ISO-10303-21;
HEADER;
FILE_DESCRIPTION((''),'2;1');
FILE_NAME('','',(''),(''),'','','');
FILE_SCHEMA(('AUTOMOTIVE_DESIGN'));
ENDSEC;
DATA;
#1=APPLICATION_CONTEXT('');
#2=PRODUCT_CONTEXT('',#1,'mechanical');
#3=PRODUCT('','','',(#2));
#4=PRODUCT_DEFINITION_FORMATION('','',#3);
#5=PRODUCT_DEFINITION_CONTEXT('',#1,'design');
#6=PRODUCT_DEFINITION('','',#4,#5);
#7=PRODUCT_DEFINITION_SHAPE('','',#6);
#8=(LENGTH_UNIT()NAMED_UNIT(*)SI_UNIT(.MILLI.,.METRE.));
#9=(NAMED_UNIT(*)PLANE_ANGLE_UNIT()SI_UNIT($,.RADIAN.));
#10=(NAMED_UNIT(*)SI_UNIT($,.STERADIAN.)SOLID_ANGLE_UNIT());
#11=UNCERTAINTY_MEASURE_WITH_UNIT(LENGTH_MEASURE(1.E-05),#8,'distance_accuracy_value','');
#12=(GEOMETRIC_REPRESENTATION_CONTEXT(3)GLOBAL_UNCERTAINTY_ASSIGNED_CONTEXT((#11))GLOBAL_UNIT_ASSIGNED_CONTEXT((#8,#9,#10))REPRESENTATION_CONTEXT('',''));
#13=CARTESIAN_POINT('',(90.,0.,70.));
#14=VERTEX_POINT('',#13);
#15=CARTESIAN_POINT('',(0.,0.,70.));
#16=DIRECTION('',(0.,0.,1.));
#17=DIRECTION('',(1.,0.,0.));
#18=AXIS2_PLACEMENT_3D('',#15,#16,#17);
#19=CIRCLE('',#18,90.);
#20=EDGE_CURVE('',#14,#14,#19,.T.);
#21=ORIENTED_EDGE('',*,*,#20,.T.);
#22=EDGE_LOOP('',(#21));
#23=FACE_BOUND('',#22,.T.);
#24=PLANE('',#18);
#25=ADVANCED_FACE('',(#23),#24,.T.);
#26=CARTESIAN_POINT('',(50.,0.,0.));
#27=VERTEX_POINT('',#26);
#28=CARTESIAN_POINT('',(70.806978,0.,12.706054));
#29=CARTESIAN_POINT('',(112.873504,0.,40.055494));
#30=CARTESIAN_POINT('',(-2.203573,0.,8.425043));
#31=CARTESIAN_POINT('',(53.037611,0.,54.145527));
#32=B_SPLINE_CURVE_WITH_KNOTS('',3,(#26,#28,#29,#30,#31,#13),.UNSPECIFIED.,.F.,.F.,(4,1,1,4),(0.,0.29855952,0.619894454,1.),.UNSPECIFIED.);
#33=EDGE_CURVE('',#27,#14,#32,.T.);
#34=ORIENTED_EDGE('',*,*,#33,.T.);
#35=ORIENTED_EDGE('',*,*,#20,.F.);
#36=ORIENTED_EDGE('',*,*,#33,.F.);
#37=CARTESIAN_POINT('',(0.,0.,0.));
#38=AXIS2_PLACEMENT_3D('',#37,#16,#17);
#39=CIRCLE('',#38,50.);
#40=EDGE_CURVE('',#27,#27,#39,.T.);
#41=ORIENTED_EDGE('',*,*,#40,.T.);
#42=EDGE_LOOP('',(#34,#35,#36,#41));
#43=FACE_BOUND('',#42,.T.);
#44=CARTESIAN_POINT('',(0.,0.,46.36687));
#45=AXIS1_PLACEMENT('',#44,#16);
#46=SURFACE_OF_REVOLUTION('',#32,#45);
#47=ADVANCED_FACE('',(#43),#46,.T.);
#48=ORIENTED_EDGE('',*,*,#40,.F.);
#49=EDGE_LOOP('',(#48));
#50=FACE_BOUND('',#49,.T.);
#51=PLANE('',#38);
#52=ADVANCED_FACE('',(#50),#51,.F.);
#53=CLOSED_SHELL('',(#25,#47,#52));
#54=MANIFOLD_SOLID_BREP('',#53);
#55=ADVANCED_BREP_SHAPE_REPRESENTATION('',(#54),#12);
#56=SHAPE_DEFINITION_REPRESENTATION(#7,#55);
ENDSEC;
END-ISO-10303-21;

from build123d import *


with BuildPart() as f1:
    # F0 (on Front) → F1 (revolve)
    with BuildSketch(Plane.XZ):
        with BuildLine():
            Line((0, 0), (50, 0))
            add(Edge.make_bspline(
                [(50, 0), (70.8069784582, 12.706053757), (112.8735039839, 40.0554936332), (-2.2035731781, 8.4250432344), (53.0376106008, 54.145526706), (90, 70)],
                knots=[0, 0, 0, 0, 0.2985595204, 0.6198944542, 1, 1, 1, 1], degree=3))
            Line((90, 70), (0, 70))
            Line((0, 70), (0, 0))
        make_face()
    revolve(axis=Axis((0, 0, 46.3668704033), (0, 0, 1)))


solid = f1.part
